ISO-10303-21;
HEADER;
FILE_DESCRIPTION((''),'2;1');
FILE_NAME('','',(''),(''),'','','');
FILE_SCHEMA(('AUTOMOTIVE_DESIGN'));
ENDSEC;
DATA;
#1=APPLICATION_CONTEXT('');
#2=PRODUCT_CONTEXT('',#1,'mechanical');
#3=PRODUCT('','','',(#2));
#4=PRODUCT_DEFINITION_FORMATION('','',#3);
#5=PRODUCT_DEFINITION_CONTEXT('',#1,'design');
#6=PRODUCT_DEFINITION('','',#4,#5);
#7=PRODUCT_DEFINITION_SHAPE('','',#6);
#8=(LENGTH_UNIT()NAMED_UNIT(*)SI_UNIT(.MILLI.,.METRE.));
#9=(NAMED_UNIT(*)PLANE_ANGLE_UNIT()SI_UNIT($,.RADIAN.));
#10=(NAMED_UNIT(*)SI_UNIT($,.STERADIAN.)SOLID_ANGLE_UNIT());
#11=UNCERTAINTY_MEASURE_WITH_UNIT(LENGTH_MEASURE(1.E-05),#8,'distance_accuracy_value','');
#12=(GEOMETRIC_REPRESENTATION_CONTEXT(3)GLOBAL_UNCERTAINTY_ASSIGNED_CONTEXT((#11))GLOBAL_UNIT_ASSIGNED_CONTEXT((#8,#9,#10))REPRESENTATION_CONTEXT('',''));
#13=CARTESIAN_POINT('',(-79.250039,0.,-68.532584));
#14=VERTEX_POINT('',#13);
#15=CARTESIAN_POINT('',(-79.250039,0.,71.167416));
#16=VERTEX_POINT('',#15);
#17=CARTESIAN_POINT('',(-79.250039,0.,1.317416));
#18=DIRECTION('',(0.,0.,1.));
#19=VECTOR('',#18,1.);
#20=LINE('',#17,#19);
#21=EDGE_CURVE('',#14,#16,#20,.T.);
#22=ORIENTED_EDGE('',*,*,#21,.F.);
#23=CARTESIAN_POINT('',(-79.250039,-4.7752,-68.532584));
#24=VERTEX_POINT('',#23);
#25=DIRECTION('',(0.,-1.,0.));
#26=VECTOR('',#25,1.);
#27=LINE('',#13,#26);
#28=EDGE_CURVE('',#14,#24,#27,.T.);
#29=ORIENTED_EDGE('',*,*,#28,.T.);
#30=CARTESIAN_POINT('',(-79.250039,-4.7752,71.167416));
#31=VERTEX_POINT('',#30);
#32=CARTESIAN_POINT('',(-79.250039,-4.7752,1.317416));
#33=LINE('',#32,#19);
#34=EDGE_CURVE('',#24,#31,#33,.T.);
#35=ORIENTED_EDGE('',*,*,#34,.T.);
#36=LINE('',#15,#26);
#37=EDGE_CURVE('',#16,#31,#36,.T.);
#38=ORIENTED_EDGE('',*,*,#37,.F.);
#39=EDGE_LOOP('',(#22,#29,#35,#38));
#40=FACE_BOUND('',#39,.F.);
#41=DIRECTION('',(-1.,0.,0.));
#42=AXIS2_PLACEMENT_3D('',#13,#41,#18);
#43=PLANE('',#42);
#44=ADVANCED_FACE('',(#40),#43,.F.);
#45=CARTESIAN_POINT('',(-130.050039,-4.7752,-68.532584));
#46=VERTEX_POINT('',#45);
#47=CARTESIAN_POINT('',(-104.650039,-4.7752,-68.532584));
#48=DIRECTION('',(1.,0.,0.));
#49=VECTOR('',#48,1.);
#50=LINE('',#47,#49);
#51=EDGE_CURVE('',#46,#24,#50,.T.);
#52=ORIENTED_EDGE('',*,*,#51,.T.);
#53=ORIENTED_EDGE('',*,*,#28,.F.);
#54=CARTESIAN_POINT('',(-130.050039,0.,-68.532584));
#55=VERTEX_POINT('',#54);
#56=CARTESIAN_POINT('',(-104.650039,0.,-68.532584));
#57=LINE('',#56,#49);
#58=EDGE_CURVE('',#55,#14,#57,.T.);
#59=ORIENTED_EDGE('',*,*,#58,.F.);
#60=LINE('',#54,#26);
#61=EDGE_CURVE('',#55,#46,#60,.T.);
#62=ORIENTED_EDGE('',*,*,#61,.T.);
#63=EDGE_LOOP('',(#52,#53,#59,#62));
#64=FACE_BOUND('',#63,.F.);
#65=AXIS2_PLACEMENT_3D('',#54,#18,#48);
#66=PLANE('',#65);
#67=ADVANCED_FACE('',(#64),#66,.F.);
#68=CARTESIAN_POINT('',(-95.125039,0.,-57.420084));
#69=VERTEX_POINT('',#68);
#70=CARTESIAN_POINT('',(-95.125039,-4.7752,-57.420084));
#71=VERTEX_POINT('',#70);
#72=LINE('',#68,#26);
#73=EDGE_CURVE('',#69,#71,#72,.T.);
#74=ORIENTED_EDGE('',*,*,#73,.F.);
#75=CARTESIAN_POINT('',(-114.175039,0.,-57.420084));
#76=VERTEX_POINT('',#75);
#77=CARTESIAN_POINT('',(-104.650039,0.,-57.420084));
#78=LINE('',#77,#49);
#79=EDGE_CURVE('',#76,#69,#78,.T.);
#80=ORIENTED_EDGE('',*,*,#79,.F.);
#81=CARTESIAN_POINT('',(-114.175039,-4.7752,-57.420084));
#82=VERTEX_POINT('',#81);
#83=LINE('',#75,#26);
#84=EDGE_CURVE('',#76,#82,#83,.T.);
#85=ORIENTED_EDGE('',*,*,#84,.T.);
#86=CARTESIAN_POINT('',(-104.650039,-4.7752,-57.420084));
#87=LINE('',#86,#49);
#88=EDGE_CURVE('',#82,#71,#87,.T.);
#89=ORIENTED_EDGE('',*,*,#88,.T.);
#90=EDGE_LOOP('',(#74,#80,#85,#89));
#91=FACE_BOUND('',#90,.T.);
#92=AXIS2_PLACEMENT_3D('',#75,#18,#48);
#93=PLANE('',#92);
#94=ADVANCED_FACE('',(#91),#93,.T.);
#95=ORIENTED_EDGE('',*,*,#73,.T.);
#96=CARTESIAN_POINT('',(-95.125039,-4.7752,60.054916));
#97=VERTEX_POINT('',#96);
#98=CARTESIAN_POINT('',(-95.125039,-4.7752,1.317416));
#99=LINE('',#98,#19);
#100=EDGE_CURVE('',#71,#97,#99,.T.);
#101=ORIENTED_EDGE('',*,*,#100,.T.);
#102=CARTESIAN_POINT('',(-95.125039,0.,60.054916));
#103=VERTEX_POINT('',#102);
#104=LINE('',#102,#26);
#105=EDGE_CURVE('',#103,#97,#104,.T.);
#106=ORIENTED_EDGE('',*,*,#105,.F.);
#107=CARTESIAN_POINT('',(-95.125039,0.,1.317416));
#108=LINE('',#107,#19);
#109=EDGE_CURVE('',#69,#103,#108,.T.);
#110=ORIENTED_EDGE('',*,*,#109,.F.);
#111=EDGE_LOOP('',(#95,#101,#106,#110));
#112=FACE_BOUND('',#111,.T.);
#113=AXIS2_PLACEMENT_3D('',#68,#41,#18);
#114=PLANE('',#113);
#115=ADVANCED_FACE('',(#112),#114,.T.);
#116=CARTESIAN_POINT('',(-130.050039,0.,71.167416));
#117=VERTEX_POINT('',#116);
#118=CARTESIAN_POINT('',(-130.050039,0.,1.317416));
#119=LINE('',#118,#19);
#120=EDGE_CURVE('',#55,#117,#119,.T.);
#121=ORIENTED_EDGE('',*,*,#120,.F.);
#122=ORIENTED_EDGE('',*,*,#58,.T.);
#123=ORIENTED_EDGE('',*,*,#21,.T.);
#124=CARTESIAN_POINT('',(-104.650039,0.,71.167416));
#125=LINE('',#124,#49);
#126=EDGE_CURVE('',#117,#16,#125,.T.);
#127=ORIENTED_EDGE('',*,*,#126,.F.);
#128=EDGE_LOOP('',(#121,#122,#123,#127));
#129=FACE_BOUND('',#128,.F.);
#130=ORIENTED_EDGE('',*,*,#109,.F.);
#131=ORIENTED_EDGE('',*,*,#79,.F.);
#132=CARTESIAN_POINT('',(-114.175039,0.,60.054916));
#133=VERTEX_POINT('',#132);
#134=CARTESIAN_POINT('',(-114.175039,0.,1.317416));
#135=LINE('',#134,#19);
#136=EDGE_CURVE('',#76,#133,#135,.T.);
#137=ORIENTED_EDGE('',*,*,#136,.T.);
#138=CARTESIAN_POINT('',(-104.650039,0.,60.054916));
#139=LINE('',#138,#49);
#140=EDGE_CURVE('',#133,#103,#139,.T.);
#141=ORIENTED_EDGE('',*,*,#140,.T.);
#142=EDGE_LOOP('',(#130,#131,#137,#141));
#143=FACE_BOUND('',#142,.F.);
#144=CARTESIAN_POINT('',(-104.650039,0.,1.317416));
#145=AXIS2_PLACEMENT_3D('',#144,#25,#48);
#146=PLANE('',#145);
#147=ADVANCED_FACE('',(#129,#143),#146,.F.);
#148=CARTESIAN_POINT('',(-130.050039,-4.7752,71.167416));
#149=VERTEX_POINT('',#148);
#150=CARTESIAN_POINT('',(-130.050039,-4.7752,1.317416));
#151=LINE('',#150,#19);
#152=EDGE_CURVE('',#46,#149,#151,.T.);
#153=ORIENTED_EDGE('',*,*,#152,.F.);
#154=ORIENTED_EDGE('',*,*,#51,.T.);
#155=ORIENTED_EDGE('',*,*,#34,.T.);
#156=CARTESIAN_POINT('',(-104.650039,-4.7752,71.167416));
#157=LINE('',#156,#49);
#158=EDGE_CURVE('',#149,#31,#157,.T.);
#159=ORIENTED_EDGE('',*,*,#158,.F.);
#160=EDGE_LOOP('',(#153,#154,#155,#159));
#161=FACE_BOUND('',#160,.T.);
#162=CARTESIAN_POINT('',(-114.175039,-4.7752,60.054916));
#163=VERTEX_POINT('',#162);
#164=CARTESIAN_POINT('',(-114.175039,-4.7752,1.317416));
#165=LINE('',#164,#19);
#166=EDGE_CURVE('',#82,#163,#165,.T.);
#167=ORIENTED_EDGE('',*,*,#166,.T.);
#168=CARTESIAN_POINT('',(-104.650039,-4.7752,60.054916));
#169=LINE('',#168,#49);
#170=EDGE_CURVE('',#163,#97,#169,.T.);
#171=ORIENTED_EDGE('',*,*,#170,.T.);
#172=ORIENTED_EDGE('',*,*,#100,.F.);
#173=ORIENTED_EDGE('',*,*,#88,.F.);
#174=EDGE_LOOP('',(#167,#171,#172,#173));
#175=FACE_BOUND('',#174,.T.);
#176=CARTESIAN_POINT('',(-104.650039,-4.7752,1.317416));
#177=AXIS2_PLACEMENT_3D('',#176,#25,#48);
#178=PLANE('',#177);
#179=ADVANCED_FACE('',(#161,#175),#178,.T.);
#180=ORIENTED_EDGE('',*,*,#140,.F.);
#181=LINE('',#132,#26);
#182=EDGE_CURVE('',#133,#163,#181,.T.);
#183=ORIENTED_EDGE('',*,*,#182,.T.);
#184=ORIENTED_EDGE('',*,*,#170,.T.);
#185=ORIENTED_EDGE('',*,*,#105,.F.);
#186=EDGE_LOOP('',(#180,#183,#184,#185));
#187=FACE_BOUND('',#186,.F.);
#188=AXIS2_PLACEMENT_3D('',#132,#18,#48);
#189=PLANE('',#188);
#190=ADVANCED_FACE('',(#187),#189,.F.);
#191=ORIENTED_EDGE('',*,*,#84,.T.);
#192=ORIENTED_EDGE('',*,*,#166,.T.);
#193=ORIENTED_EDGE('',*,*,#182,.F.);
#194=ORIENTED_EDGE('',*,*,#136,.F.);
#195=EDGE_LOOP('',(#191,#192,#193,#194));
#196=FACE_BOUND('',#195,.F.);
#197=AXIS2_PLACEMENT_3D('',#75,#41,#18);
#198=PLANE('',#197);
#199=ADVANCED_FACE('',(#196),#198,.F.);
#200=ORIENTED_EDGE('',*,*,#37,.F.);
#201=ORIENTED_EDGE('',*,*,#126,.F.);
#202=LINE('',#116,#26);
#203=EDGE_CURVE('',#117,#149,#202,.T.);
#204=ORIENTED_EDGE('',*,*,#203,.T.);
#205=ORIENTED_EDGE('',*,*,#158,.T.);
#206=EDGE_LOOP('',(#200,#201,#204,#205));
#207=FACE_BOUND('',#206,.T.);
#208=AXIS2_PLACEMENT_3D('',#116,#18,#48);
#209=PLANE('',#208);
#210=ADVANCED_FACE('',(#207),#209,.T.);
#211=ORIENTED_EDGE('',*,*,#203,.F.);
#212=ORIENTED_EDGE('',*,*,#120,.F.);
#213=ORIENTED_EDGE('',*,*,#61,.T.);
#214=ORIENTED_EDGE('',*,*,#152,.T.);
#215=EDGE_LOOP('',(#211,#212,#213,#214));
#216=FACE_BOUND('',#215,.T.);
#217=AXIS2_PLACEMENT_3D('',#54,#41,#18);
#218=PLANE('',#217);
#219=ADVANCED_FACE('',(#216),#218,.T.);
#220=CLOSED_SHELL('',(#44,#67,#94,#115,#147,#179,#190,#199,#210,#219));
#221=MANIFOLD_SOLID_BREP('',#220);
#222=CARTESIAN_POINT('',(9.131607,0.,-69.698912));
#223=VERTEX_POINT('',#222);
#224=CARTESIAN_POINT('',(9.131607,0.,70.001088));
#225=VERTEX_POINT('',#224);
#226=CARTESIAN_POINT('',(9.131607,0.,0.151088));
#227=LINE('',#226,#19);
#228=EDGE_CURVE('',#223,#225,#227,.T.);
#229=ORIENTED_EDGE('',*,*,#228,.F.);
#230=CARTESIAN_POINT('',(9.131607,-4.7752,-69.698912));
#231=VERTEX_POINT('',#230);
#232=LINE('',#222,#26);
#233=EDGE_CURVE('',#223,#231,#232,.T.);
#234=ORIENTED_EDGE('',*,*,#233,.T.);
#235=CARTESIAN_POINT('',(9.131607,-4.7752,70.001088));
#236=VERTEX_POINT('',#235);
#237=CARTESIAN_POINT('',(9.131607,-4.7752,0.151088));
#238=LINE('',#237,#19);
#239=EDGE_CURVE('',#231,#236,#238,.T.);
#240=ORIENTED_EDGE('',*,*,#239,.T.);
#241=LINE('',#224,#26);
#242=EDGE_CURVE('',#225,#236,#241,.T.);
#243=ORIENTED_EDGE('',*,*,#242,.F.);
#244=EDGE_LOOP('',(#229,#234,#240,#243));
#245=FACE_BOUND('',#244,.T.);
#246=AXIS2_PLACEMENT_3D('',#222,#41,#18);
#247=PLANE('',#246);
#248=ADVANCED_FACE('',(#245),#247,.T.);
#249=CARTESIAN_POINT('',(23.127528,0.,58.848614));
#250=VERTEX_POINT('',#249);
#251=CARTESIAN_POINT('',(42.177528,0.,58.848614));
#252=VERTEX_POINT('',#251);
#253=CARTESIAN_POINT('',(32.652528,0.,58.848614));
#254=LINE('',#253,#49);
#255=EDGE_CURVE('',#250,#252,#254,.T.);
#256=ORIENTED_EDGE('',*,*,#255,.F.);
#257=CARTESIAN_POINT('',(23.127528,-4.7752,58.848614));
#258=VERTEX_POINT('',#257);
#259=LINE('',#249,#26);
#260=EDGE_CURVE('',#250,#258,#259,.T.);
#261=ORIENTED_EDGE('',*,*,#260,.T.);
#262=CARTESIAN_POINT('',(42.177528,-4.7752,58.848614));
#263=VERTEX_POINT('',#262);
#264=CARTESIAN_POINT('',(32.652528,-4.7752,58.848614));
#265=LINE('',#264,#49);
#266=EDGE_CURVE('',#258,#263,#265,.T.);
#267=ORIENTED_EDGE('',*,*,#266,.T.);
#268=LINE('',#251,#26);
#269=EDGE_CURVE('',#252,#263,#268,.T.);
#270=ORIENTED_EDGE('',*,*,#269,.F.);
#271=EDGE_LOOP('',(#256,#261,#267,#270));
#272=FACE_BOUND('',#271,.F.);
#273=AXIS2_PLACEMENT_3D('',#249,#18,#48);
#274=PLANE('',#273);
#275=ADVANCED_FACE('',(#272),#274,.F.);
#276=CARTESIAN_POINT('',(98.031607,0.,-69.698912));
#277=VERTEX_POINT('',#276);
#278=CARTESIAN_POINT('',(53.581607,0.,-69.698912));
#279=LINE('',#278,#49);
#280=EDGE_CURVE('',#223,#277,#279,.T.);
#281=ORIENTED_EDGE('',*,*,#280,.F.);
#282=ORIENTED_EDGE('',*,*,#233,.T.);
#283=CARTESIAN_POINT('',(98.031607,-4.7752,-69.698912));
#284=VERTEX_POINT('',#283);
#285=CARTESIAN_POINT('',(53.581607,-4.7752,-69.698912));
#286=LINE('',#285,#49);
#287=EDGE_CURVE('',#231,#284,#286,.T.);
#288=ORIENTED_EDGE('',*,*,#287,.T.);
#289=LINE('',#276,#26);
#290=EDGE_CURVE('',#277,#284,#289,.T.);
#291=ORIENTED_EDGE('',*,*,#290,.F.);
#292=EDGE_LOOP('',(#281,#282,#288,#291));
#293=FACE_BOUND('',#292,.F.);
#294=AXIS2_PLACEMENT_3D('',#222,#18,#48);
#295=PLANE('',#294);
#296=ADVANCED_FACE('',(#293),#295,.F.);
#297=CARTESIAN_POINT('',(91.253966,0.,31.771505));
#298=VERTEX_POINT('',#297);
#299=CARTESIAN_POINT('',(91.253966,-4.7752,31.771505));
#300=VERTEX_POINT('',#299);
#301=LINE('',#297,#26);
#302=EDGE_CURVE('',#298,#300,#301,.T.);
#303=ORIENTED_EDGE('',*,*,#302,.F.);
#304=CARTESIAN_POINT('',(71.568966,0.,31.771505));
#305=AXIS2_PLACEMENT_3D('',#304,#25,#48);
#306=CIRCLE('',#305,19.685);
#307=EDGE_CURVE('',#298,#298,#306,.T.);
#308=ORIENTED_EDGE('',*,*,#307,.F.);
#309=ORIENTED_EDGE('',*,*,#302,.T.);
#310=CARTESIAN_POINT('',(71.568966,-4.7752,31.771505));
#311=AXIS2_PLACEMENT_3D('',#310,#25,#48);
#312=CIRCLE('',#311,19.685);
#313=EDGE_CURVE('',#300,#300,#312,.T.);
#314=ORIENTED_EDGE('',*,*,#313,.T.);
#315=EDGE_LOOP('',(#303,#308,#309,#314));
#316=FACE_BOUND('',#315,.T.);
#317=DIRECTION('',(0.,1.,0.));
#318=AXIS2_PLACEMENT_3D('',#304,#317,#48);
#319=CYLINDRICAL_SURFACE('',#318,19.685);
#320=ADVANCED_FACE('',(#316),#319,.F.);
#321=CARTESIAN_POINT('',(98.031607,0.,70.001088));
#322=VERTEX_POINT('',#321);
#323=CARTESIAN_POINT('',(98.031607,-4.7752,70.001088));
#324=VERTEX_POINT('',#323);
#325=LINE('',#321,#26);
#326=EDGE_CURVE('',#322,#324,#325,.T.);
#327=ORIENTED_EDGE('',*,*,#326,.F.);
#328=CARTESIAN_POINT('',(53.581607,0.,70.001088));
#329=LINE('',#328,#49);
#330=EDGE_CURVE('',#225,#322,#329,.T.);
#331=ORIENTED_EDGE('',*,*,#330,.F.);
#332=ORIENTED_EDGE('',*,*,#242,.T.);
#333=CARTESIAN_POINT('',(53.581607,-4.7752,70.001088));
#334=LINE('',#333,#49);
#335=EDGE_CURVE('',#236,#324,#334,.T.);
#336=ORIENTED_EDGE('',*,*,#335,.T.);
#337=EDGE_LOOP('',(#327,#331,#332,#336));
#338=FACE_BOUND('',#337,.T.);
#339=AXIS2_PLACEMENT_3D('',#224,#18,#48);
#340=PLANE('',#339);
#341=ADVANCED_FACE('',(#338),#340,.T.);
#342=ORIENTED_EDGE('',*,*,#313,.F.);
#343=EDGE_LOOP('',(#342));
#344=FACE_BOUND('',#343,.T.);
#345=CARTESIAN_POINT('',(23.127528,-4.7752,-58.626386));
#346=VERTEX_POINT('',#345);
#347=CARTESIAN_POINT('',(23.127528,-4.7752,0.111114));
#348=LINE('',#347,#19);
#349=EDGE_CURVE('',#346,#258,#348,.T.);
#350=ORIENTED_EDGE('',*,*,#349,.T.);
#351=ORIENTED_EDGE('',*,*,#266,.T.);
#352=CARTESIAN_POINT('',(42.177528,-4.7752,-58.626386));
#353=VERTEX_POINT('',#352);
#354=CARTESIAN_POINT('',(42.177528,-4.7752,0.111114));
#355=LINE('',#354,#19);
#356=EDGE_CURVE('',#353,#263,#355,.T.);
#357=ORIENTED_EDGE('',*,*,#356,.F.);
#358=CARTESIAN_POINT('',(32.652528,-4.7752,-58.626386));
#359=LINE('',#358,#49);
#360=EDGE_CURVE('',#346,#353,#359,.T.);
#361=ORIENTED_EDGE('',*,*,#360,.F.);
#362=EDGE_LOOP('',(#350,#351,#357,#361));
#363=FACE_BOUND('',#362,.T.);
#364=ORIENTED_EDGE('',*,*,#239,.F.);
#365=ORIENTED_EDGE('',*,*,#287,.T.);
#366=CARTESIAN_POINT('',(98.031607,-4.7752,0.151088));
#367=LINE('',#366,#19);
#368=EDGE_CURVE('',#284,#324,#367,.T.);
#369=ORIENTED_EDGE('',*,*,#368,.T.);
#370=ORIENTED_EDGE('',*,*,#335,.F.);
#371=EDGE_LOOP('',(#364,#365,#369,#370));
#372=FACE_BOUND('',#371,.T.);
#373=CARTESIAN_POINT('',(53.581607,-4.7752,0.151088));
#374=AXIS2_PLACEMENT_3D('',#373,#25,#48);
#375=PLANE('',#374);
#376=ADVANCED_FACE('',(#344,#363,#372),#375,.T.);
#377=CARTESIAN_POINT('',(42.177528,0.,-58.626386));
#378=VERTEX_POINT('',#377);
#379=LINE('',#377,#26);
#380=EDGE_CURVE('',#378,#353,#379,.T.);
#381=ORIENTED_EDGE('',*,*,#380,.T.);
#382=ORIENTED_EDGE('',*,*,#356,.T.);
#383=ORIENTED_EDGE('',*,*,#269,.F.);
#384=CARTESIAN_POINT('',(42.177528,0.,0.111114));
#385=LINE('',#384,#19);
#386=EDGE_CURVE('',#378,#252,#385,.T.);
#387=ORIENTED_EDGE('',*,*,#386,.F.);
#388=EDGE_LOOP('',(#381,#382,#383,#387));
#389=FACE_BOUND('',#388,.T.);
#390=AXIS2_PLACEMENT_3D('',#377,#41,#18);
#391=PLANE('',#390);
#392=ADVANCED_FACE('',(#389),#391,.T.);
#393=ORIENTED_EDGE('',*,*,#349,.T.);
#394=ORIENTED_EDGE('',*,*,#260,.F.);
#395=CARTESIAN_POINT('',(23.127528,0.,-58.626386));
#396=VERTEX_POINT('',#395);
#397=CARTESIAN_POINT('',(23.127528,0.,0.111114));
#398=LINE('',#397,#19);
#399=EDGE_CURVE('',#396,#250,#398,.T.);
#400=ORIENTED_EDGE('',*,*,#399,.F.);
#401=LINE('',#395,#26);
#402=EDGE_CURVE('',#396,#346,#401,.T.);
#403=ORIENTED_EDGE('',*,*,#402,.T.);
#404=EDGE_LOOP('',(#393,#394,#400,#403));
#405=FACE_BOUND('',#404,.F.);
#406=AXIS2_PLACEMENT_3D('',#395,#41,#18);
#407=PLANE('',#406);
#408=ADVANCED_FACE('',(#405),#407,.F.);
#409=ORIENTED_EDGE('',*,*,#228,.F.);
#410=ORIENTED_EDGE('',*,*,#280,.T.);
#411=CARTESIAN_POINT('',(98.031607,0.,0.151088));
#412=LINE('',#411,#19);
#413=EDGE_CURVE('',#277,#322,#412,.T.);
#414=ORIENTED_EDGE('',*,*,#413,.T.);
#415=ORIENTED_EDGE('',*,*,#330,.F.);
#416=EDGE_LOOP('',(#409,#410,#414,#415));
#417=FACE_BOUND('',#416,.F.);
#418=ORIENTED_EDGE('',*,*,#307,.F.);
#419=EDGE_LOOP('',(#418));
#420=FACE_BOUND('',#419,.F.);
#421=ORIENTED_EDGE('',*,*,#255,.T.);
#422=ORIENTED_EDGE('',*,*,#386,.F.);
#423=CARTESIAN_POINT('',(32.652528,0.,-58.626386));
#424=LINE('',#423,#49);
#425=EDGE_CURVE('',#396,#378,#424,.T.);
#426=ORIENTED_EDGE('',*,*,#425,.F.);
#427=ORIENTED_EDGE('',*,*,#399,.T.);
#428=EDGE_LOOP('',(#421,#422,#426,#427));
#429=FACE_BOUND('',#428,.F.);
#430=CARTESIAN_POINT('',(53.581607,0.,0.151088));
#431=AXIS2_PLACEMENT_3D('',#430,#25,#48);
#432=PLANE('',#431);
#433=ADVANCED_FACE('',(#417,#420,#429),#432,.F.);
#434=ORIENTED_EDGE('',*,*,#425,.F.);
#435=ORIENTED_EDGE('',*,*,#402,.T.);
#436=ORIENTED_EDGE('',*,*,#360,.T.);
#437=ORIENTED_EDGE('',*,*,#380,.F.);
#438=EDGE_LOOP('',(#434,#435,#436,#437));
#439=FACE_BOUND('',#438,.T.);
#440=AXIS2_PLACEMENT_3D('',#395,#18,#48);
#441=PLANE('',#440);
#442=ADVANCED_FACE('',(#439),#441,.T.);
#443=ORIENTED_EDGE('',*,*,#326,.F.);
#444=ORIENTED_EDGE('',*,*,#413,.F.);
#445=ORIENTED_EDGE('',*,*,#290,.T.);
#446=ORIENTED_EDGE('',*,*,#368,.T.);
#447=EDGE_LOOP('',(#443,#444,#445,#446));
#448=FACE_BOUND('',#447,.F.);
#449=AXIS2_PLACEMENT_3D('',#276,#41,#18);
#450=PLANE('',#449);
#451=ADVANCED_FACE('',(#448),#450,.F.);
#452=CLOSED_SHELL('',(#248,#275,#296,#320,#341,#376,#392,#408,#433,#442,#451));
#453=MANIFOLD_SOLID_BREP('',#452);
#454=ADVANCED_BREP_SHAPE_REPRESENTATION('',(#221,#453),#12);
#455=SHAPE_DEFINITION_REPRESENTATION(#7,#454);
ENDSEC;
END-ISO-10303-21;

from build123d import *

# Parameters (mm, degrees)
F0_W     = 50.8
F0_H     = 139.7
F0_W_2   = 19.05
F0_H_2   = 117.475
F0_W_3   = 88.9
F0_R     = 19.685
F1_DEPTH = 4.7752


with BuildPart() as f1:
    # F0 (on Front) → F1 (new body)
    with BuildSketch(Plane.XZ):
        with Locations((-104.650039, 1.317416)):
            Rectangle(F0_W, F0_H)
        with Locations((-104.650039, 1.317416)):
            Rectangle(F0_W_2, F0_H_2, mode=Mode.SUBTRACT)
        with Locations((53.581607, 0.151088)):
            Rectangle(F0_W_3, F0_H)
        with Locations((32.652528, 0.111114)):
            Rectangle(F0_W_2, F0_H_2, mode=Mode.SUBTRACT)
        with Locations((71.568966, 31.771505)):
            Circle(F0_R, mode=Mode.SUBTRACT)
    extrude(amount=F1_DEPTH)


solid = f1.part
